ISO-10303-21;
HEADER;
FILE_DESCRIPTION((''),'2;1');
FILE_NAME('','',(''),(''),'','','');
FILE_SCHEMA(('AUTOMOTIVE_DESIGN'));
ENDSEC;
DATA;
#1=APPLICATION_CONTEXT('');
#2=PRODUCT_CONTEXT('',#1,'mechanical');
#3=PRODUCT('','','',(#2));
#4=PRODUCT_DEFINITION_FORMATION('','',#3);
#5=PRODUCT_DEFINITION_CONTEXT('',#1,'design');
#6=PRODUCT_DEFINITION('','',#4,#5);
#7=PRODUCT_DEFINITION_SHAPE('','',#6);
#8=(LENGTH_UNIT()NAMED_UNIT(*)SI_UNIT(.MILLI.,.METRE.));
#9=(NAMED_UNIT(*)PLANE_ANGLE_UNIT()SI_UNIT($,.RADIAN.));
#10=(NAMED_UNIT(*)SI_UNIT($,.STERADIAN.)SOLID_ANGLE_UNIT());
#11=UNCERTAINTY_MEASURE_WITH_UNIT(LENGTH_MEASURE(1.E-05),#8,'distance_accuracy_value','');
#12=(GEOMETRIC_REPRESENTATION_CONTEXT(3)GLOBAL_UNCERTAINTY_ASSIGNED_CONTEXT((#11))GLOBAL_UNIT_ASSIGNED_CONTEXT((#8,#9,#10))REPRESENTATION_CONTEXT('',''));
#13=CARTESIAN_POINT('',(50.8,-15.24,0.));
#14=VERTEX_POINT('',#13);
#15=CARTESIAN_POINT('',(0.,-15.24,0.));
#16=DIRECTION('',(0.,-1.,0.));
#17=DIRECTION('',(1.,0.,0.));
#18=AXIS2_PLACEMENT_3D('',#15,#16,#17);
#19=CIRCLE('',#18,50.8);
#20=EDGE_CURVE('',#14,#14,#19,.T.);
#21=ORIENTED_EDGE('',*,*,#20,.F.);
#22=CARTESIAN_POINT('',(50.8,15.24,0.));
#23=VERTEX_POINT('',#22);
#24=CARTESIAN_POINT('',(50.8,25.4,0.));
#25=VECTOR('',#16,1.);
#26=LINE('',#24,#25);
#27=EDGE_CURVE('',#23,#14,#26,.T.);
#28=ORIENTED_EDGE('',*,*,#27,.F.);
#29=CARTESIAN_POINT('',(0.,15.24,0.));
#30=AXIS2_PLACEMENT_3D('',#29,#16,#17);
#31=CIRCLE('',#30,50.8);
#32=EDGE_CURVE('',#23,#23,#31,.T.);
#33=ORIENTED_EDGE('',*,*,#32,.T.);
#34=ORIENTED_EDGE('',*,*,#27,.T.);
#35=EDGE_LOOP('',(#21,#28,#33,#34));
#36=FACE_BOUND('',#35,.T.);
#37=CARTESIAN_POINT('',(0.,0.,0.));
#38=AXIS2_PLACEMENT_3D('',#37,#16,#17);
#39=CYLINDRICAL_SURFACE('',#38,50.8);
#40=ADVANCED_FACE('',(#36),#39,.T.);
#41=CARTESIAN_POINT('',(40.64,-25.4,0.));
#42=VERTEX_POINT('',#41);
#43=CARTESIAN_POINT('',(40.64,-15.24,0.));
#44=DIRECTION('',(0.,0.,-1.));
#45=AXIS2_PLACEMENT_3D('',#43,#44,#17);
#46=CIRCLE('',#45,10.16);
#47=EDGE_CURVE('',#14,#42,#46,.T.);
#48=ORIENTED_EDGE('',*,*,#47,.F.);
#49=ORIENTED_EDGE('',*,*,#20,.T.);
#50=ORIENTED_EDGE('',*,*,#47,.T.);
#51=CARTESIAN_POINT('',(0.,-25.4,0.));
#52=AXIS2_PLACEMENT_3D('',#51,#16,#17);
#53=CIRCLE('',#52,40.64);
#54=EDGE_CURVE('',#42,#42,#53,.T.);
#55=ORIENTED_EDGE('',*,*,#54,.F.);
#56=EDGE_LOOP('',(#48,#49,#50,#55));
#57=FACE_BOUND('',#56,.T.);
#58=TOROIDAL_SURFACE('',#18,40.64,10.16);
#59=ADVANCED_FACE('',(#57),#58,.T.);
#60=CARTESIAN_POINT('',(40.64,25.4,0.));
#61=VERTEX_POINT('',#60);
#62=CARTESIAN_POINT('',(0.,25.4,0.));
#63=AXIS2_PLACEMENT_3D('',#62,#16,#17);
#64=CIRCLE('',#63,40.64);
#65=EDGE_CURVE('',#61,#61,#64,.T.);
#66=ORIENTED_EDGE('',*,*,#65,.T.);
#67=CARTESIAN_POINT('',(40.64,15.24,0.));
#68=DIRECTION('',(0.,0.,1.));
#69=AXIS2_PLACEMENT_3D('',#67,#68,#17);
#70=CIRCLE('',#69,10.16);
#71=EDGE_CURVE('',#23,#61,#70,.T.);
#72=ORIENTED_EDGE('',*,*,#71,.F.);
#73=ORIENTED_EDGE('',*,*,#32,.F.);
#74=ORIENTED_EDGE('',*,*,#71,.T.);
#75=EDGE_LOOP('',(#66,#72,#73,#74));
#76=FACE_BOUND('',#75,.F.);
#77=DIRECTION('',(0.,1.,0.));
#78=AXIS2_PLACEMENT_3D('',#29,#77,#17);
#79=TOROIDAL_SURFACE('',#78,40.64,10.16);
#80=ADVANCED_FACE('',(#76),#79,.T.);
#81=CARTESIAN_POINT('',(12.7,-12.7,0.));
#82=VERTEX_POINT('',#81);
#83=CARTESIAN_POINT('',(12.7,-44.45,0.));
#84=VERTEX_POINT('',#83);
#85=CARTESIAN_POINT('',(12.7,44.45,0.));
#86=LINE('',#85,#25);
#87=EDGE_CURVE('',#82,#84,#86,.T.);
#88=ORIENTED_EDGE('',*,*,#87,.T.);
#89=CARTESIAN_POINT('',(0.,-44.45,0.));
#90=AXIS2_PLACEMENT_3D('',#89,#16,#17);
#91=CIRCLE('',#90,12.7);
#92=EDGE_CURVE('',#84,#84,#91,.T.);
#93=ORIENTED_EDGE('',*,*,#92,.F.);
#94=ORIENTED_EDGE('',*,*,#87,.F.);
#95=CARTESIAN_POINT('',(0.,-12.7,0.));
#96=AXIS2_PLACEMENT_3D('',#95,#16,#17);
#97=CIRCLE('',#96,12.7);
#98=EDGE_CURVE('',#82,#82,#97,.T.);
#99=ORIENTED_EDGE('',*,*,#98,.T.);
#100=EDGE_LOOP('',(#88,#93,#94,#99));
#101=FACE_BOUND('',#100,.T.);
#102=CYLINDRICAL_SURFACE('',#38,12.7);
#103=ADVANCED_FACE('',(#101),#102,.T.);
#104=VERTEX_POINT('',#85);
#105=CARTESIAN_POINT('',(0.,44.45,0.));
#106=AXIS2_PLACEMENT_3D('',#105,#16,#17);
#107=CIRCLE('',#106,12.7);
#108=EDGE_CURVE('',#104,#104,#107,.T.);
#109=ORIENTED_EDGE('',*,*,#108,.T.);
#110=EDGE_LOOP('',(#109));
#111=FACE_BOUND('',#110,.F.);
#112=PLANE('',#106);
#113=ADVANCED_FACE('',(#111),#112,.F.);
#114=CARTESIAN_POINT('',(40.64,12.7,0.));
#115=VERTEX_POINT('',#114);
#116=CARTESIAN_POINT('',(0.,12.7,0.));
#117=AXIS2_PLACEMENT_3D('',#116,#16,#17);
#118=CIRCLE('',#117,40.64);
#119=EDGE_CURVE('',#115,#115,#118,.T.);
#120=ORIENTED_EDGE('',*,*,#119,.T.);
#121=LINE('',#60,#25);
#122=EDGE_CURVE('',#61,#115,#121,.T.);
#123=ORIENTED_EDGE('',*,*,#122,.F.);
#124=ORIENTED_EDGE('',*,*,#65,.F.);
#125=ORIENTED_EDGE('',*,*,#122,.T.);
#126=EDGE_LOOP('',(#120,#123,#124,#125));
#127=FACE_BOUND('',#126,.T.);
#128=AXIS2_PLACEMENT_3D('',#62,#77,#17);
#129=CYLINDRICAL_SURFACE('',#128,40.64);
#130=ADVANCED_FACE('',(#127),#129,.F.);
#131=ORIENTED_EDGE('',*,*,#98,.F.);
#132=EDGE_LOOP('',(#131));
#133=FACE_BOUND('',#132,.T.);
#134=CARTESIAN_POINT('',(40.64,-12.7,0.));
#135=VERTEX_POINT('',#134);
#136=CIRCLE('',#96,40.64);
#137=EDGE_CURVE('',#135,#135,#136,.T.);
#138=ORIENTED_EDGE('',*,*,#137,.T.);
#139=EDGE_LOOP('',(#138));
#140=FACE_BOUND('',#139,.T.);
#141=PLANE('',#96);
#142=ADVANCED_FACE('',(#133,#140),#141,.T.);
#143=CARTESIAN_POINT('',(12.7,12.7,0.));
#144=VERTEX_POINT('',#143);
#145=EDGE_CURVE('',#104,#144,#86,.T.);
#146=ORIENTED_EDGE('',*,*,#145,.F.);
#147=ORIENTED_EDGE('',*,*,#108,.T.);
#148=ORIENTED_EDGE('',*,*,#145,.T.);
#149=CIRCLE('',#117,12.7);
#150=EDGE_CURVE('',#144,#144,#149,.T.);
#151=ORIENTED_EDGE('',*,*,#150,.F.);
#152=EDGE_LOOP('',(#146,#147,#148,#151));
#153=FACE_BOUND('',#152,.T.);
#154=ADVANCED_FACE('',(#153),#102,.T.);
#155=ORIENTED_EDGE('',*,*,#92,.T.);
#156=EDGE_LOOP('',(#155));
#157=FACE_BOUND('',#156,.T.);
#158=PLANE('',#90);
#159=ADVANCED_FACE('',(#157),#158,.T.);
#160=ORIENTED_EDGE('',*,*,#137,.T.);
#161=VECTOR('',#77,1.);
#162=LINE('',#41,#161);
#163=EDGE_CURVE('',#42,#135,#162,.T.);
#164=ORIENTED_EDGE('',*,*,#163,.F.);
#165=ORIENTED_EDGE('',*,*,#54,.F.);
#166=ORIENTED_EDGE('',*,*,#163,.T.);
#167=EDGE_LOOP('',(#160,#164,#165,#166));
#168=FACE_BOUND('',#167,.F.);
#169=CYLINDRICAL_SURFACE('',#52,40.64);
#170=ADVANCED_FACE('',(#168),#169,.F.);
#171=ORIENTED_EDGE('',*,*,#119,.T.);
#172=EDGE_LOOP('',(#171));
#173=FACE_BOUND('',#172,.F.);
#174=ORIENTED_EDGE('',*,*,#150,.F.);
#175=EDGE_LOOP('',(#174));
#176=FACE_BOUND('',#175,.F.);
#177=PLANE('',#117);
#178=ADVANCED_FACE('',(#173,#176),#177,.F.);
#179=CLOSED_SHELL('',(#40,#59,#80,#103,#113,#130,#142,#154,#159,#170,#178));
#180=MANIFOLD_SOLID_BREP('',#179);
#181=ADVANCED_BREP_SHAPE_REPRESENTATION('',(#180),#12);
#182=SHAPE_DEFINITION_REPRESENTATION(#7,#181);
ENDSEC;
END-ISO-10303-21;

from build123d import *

# Parameters (mm, degrees)
F0_R     = 50.8
F1_DEPTH = 25.4
F2_R     = 10.16
F3_DEPTH = 12.7
F4_DEPTH = 12.7
F5_R     = 12.7
F6_DEPTH = 44.45


with BuildPart() as f1:
    # F0 (on Front) → F1 (new body, symmetric)
    with BuildSketch(Plane.XZ):
        Circle(F0_R)
    extrude(amount=F1_DEPTH, both=True)

    # F2
    f2_edges = [f1.edges().sort_by_distance(p)[0] for p in [
        (-50.8, -25.4, 0),
        (-50.8, 25.4, 0),
    ]]
    fillet(f2_edges, radius=F2_R)

    # F3 (cut): faces of the model
    f3_faces = [f1.faces().sort_by_distance(p)[0] for p in [
        (0, -25.4, 0),
        (0, 25.4, 0),
    ]]
    extrude(f3_faces, amount=F3_DEPTH, dir=(0, -1, 0), mode=Mode.SUBTRACT)

    # F4 (cut): a face of the model
    f4_faces = [f1.faces().sort_by_distance(p)[0] for p in [
        (0, -25.4, 0),
    ]]
    extrude(f4_faces, amount=-F4_DEPTH, mode=Mode.SUBTRACT)

    # F5 (on Front) → F6 (join, symmetric)
    with BuildSketch(Plane.XZ):
        Circle(F5_R)
    extrude(amount=F6_DEPTH, both=True)


solid = f1.part
